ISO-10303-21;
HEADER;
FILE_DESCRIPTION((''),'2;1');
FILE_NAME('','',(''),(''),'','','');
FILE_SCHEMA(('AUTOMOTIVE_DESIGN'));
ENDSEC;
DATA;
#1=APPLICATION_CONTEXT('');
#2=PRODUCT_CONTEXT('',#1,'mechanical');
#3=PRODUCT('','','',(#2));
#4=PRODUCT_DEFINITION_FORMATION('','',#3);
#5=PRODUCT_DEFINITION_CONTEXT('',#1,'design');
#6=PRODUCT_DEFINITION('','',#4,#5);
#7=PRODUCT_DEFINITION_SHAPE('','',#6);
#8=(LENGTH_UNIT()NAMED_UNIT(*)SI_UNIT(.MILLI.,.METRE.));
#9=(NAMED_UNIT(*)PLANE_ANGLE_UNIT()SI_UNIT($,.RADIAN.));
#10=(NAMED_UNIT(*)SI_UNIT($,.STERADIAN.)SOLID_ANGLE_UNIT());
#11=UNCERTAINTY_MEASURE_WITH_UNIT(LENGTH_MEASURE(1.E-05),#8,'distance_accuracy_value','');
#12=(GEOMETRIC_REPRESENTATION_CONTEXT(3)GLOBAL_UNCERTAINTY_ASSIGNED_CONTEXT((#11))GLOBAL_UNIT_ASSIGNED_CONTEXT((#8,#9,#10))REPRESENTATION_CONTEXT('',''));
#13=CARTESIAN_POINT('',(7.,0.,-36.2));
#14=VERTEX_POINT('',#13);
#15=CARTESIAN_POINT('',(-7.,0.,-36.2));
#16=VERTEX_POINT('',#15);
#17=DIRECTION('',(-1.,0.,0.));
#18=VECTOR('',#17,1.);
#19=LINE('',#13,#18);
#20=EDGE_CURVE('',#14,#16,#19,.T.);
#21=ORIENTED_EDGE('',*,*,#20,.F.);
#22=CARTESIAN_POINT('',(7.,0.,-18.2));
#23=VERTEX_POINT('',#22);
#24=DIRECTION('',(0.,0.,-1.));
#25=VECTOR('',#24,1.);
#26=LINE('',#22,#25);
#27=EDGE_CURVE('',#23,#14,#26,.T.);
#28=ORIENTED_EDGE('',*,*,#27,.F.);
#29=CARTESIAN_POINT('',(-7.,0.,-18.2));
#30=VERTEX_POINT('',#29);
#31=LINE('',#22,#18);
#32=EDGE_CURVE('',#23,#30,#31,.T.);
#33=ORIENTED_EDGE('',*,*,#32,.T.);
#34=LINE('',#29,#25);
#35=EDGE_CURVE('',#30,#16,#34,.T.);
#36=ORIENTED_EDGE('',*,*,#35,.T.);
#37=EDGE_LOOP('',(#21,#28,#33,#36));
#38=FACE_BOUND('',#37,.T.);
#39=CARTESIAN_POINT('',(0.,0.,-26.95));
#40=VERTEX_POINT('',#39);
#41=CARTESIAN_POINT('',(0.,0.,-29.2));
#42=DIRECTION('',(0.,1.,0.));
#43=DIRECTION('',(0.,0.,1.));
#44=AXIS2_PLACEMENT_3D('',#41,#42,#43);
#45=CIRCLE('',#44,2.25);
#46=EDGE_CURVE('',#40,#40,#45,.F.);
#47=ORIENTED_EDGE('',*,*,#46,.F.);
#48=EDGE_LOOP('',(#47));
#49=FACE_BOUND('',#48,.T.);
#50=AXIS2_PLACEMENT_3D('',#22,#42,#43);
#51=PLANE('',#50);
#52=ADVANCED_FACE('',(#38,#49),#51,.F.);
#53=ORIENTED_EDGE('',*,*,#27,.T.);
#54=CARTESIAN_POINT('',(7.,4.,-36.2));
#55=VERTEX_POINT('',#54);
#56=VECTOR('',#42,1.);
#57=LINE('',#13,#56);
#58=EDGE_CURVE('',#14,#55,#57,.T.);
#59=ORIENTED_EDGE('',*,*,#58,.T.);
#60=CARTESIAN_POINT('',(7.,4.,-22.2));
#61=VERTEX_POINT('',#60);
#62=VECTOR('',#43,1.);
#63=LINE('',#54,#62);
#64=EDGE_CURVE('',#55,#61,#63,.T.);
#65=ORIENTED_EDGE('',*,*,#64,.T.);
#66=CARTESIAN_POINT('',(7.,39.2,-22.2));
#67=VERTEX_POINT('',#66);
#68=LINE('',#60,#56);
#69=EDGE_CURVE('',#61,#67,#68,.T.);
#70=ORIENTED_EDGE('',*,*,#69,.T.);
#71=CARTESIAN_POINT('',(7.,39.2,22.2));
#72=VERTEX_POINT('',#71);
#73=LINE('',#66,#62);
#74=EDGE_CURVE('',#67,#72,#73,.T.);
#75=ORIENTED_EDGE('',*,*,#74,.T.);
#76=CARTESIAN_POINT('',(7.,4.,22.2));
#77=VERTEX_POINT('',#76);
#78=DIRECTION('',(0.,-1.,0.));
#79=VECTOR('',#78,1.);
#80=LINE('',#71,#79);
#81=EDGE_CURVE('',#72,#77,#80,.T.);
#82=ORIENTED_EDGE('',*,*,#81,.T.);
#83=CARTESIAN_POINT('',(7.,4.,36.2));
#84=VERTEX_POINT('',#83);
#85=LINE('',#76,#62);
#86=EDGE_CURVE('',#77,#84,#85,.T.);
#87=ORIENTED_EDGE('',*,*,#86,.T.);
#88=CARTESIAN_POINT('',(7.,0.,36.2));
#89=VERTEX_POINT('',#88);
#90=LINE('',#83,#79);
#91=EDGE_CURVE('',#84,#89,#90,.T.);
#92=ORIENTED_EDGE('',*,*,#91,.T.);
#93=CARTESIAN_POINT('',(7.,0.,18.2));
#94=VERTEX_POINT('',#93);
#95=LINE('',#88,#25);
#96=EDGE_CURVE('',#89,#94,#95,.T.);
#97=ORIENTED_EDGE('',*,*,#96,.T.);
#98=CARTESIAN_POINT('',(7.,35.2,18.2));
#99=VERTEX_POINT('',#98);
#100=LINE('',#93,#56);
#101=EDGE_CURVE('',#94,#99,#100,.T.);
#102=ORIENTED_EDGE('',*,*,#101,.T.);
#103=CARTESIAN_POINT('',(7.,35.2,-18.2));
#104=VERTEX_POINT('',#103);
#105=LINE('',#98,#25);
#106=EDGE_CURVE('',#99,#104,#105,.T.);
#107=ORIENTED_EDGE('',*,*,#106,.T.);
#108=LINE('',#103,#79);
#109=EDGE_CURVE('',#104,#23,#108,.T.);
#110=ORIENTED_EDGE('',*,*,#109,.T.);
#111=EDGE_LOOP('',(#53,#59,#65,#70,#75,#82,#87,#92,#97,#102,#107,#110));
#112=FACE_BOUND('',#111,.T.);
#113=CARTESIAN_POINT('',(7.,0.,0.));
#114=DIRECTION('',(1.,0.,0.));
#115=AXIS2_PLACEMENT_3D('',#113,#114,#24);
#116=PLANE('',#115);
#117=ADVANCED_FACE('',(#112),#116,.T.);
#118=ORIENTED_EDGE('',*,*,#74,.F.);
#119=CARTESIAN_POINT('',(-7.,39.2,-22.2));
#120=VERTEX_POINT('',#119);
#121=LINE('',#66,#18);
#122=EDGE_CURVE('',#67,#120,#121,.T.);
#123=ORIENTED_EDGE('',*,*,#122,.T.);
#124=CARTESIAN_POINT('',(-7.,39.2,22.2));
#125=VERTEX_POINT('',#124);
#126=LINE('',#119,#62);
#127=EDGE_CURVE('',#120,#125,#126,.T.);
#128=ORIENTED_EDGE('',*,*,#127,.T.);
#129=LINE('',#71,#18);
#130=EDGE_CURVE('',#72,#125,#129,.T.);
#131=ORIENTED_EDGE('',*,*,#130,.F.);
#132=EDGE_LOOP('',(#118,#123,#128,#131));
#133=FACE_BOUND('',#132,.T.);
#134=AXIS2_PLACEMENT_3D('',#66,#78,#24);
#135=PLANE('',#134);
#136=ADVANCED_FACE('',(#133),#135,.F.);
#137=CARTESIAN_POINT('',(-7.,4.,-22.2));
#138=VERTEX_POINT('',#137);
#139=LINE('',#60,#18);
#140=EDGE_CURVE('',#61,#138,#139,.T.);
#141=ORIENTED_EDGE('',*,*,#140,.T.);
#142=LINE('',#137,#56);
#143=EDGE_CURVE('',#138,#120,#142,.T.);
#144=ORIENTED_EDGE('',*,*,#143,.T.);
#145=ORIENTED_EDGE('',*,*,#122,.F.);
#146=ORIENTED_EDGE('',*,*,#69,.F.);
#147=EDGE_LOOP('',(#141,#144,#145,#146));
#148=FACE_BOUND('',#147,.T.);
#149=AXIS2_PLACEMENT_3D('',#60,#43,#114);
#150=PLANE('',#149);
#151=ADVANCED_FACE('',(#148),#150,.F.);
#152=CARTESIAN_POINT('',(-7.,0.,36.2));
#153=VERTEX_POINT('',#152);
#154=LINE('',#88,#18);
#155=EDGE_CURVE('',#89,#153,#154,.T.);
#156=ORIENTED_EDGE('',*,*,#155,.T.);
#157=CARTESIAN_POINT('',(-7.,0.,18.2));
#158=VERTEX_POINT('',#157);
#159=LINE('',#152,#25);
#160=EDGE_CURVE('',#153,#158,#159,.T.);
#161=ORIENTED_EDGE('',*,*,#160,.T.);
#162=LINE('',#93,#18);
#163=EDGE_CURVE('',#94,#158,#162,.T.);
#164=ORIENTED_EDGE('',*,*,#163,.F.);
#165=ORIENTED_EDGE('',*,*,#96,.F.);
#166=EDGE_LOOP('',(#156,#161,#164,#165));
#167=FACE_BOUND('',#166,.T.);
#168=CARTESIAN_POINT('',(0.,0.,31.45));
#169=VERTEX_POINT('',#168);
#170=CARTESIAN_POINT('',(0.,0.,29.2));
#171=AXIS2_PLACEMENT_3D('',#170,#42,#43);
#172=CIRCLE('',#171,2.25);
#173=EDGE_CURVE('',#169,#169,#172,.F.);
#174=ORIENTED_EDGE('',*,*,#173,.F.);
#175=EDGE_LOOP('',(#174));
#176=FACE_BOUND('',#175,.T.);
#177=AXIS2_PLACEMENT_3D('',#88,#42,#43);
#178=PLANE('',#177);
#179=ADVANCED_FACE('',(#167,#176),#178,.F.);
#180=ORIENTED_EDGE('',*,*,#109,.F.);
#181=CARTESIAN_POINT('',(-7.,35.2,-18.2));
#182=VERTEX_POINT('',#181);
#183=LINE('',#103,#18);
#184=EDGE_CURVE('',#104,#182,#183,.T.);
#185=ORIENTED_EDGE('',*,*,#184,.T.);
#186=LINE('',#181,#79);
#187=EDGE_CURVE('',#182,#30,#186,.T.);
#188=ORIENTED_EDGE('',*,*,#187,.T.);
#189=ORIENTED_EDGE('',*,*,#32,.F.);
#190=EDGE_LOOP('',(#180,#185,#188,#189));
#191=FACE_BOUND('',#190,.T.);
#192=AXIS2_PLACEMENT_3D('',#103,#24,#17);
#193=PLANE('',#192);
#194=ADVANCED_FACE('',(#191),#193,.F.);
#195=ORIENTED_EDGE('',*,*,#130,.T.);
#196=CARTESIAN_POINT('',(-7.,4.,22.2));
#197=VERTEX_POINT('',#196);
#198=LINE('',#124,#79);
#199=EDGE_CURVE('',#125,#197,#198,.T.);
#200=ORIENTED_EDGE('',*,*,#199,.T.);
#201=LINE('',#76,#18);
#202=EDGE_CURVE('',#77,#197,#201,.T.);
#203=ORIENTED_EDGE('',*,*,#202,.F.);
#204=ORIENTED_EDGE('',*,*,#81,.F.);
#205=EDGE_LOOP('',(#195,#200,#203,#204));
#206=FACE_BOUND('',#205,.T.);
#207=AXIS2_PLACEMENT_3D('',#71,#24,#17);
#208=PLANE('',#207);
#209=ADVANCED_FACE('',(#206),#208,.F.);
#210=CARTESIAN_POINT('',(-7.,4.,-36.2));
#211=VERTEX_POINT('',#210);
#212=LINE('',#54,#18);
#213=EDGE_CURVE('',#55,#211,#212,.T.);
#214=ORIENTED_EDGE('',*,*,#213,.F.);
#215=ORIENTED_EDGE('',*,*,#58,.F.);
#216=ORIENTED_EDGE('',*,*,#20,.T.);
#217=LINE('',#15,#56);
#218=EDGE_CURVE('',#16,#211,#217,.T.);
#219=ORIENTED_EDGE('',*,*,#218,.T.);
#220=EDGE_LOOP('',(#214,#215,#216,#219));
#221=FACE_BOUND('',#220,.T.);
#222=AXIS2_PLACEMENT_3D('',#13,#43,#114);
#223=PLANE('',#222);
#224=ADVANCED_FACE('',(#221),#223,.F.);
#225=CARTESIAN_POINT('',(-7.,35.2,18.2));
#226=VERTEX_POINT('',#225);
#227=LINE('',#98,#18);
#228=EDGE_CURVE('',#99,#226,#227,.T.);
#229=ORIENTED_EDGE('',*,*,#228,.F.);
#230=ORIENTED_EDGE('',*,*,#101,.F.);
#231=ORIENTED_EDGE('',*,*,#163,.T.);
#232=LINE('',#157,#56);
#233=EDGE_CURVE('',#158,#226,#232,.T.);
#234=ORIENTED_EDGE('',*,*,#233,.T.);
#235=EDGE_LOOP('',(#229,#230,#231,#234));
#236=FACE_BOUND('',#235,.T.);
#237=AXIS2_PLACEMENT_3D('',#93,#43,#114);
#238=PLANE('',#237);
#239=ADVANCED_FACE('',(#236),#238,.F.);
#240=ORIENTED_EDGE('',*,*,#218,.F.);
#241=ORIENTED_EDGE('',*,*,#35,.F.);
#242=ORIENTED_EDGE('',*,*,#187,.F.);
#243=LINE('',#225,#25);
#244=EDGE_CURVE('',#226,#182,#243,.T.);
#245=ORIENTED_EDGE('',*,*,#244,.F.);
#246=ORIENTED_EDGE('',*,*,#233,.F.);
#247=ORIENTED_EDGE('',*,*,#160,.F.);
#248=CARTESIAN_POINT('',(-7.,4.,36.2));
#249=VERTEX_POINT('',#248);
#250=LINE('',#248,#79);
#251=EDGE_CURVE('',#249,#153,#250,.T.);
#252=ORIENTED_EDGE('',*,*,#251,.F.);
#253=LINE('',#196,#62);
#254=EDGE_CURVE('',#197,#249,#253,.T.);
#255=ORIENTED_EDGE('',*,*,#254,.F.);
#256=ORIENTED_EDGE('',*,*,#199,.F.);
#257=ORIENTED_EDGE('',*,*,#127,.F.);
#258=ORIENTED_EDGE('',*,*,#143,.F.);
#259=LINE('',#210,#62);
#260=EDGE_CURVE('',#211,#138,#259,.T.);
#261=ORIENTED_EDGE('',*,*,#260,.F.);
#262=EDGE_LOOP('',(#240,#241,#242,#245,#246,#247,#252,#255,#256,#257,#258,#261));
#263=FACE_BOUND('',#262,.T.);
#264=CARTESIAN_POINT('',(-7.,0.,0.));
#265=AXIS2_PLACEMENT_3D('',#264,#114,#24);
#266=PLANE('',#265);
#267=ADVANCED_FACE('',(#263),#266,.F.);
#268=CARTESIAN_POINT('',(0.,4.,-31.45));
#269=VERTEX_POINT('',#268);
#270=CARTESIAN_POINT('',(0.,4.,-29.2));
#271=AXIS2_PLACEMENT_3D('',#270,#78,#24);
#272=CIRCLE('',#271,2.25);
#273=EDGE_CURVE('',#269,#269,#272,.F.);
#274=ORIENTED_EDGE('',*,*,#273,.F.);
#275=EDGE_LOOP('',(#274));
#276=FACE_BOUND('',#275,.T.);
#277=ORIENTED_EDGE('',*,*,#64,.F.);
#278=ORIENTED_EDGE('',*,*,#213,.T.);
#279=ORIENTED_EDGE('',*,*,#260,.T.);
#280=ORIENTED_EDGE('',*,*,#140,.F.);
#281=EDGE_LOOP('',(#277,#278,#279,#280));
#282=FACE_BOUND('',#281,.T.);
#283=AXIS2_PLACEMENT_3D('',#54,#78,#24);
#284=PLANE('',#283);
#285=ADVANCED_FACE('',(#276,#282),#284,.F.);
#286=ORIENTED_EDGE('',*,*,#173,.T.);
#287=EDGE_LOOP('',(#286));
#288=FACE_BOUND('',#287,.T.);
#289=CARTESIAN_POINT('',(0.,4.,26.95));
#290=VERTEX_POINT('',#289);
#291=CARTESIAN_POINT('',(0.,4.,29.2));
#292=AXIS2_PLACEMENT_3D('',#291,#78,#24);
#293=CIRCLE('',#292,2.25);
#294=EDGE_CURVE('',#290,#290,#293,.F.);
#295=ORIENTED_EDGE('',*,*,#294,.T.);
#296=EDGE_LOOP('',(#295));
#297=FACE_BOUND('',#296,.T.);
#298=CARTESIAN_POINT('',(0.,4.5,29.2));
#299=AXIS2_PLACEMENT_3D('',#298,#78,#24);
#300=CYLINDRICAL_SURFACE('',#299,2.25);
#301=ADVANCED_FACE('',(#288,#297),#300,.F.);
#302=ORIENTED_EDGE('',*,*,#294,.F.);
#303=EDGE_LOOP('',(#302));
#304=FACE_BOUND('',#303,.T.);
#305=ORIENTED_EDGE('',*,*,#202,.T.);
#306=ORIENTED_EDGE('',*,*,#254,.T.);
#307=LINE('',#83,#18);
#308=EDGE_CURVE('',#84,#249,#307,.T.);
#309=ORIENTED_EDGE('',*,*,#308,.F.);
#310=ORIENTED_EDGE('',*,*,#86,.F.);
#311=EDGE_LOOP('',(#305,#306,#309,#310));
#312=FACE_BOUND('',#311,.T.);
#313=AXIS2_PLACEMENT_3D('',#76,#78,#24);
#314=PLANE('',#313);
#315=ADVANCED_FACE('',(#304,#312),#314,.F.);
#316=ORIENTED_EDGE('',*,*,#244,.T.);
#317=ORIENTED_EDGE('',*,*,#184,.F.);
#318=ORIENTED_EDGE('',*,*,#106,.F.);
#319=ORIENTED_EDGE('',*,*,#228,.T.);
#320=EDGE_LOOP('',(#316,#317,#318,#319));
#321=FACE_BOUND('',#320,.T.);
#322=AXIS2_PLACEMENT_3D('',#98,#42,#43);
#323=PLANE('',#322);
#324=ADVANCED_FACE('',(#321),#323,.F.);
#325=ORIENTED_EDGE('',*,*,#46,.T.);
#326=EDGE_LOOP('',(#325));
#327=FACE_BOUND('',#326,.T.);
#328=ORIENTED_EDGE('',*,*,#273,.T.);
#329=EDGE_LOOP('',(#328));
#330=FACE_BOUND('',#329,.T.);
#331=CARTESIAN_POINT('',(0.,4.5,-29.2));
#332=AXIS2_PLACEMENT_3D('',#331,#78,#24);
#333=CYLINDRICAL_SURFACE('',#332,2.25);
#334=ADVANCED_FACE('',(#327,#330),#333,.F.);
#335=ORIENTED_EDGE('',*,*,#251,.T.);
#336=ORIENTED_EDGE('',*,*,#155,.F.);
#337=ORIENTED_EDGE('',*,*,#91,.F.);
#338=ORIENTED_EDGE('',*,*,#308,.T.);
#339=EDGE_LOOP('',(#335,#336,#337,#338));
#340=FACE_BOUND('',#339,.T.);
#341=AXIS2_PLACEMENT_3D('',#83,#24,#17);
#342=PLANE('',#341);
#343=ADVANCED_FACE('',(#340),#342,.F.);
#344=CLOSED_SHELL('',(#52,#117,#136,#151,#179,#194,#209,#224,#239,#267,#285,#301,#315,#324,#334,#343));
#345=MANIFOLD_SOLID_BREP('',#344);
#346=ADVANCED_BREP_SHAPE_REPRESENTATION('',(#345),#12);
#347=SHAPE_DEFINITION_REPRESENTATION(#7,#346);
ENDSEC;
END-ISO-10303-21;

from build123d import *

# Parameters (mm, degrees)
STRAP_DEPTH        = 7
EAR_HOLES_M4_START = -0.5
SKETCH2_R          = 2.25
EAR_HOLES_M4_DEPTH = 5


with BuildPart() as part:
    # Sketch1 → Strap (new, symmetric)
    with BuildSketch(Plane(origin=(0, 0, 0), x_dir=(0, 0, -1), z_dir=(1, 0, 0))):
        Polygon((-36.2, 0), (-18.2, 0), (-18.2, 35.2), (18.2, 35.2), (18.2, 0), (36.2, 0), (36.2, 4), (22.2, 4), (22.2, 39.2), (-22.2, 39.2), (-22.2, 4), (-36.2, 4), align=None)
    extrude(amount=STRAP_DEPTH, both=True)

    # Sketch2 → Ear_Holes_M4 (cut)
    with BuildSketch(Plane(origin=(0, 0, 0), x_dir=(1, 0, 0), z_dir=(0, 1, 0)).offset(EAR_HOLES_M4_START)):
        with Locations(Location((0, 29.2, 0), (0, 0, 90))):
            Circle(SKETCH2_R)
        with Locations(Location((0, -29.2, 0), (0, 0, 90))):
            Circle(SKETCH2_R)
    extrude(amount=EAR_HOLES_M4_DEPTH, mode=Mode.SUBTRACT)


solid = part.part
